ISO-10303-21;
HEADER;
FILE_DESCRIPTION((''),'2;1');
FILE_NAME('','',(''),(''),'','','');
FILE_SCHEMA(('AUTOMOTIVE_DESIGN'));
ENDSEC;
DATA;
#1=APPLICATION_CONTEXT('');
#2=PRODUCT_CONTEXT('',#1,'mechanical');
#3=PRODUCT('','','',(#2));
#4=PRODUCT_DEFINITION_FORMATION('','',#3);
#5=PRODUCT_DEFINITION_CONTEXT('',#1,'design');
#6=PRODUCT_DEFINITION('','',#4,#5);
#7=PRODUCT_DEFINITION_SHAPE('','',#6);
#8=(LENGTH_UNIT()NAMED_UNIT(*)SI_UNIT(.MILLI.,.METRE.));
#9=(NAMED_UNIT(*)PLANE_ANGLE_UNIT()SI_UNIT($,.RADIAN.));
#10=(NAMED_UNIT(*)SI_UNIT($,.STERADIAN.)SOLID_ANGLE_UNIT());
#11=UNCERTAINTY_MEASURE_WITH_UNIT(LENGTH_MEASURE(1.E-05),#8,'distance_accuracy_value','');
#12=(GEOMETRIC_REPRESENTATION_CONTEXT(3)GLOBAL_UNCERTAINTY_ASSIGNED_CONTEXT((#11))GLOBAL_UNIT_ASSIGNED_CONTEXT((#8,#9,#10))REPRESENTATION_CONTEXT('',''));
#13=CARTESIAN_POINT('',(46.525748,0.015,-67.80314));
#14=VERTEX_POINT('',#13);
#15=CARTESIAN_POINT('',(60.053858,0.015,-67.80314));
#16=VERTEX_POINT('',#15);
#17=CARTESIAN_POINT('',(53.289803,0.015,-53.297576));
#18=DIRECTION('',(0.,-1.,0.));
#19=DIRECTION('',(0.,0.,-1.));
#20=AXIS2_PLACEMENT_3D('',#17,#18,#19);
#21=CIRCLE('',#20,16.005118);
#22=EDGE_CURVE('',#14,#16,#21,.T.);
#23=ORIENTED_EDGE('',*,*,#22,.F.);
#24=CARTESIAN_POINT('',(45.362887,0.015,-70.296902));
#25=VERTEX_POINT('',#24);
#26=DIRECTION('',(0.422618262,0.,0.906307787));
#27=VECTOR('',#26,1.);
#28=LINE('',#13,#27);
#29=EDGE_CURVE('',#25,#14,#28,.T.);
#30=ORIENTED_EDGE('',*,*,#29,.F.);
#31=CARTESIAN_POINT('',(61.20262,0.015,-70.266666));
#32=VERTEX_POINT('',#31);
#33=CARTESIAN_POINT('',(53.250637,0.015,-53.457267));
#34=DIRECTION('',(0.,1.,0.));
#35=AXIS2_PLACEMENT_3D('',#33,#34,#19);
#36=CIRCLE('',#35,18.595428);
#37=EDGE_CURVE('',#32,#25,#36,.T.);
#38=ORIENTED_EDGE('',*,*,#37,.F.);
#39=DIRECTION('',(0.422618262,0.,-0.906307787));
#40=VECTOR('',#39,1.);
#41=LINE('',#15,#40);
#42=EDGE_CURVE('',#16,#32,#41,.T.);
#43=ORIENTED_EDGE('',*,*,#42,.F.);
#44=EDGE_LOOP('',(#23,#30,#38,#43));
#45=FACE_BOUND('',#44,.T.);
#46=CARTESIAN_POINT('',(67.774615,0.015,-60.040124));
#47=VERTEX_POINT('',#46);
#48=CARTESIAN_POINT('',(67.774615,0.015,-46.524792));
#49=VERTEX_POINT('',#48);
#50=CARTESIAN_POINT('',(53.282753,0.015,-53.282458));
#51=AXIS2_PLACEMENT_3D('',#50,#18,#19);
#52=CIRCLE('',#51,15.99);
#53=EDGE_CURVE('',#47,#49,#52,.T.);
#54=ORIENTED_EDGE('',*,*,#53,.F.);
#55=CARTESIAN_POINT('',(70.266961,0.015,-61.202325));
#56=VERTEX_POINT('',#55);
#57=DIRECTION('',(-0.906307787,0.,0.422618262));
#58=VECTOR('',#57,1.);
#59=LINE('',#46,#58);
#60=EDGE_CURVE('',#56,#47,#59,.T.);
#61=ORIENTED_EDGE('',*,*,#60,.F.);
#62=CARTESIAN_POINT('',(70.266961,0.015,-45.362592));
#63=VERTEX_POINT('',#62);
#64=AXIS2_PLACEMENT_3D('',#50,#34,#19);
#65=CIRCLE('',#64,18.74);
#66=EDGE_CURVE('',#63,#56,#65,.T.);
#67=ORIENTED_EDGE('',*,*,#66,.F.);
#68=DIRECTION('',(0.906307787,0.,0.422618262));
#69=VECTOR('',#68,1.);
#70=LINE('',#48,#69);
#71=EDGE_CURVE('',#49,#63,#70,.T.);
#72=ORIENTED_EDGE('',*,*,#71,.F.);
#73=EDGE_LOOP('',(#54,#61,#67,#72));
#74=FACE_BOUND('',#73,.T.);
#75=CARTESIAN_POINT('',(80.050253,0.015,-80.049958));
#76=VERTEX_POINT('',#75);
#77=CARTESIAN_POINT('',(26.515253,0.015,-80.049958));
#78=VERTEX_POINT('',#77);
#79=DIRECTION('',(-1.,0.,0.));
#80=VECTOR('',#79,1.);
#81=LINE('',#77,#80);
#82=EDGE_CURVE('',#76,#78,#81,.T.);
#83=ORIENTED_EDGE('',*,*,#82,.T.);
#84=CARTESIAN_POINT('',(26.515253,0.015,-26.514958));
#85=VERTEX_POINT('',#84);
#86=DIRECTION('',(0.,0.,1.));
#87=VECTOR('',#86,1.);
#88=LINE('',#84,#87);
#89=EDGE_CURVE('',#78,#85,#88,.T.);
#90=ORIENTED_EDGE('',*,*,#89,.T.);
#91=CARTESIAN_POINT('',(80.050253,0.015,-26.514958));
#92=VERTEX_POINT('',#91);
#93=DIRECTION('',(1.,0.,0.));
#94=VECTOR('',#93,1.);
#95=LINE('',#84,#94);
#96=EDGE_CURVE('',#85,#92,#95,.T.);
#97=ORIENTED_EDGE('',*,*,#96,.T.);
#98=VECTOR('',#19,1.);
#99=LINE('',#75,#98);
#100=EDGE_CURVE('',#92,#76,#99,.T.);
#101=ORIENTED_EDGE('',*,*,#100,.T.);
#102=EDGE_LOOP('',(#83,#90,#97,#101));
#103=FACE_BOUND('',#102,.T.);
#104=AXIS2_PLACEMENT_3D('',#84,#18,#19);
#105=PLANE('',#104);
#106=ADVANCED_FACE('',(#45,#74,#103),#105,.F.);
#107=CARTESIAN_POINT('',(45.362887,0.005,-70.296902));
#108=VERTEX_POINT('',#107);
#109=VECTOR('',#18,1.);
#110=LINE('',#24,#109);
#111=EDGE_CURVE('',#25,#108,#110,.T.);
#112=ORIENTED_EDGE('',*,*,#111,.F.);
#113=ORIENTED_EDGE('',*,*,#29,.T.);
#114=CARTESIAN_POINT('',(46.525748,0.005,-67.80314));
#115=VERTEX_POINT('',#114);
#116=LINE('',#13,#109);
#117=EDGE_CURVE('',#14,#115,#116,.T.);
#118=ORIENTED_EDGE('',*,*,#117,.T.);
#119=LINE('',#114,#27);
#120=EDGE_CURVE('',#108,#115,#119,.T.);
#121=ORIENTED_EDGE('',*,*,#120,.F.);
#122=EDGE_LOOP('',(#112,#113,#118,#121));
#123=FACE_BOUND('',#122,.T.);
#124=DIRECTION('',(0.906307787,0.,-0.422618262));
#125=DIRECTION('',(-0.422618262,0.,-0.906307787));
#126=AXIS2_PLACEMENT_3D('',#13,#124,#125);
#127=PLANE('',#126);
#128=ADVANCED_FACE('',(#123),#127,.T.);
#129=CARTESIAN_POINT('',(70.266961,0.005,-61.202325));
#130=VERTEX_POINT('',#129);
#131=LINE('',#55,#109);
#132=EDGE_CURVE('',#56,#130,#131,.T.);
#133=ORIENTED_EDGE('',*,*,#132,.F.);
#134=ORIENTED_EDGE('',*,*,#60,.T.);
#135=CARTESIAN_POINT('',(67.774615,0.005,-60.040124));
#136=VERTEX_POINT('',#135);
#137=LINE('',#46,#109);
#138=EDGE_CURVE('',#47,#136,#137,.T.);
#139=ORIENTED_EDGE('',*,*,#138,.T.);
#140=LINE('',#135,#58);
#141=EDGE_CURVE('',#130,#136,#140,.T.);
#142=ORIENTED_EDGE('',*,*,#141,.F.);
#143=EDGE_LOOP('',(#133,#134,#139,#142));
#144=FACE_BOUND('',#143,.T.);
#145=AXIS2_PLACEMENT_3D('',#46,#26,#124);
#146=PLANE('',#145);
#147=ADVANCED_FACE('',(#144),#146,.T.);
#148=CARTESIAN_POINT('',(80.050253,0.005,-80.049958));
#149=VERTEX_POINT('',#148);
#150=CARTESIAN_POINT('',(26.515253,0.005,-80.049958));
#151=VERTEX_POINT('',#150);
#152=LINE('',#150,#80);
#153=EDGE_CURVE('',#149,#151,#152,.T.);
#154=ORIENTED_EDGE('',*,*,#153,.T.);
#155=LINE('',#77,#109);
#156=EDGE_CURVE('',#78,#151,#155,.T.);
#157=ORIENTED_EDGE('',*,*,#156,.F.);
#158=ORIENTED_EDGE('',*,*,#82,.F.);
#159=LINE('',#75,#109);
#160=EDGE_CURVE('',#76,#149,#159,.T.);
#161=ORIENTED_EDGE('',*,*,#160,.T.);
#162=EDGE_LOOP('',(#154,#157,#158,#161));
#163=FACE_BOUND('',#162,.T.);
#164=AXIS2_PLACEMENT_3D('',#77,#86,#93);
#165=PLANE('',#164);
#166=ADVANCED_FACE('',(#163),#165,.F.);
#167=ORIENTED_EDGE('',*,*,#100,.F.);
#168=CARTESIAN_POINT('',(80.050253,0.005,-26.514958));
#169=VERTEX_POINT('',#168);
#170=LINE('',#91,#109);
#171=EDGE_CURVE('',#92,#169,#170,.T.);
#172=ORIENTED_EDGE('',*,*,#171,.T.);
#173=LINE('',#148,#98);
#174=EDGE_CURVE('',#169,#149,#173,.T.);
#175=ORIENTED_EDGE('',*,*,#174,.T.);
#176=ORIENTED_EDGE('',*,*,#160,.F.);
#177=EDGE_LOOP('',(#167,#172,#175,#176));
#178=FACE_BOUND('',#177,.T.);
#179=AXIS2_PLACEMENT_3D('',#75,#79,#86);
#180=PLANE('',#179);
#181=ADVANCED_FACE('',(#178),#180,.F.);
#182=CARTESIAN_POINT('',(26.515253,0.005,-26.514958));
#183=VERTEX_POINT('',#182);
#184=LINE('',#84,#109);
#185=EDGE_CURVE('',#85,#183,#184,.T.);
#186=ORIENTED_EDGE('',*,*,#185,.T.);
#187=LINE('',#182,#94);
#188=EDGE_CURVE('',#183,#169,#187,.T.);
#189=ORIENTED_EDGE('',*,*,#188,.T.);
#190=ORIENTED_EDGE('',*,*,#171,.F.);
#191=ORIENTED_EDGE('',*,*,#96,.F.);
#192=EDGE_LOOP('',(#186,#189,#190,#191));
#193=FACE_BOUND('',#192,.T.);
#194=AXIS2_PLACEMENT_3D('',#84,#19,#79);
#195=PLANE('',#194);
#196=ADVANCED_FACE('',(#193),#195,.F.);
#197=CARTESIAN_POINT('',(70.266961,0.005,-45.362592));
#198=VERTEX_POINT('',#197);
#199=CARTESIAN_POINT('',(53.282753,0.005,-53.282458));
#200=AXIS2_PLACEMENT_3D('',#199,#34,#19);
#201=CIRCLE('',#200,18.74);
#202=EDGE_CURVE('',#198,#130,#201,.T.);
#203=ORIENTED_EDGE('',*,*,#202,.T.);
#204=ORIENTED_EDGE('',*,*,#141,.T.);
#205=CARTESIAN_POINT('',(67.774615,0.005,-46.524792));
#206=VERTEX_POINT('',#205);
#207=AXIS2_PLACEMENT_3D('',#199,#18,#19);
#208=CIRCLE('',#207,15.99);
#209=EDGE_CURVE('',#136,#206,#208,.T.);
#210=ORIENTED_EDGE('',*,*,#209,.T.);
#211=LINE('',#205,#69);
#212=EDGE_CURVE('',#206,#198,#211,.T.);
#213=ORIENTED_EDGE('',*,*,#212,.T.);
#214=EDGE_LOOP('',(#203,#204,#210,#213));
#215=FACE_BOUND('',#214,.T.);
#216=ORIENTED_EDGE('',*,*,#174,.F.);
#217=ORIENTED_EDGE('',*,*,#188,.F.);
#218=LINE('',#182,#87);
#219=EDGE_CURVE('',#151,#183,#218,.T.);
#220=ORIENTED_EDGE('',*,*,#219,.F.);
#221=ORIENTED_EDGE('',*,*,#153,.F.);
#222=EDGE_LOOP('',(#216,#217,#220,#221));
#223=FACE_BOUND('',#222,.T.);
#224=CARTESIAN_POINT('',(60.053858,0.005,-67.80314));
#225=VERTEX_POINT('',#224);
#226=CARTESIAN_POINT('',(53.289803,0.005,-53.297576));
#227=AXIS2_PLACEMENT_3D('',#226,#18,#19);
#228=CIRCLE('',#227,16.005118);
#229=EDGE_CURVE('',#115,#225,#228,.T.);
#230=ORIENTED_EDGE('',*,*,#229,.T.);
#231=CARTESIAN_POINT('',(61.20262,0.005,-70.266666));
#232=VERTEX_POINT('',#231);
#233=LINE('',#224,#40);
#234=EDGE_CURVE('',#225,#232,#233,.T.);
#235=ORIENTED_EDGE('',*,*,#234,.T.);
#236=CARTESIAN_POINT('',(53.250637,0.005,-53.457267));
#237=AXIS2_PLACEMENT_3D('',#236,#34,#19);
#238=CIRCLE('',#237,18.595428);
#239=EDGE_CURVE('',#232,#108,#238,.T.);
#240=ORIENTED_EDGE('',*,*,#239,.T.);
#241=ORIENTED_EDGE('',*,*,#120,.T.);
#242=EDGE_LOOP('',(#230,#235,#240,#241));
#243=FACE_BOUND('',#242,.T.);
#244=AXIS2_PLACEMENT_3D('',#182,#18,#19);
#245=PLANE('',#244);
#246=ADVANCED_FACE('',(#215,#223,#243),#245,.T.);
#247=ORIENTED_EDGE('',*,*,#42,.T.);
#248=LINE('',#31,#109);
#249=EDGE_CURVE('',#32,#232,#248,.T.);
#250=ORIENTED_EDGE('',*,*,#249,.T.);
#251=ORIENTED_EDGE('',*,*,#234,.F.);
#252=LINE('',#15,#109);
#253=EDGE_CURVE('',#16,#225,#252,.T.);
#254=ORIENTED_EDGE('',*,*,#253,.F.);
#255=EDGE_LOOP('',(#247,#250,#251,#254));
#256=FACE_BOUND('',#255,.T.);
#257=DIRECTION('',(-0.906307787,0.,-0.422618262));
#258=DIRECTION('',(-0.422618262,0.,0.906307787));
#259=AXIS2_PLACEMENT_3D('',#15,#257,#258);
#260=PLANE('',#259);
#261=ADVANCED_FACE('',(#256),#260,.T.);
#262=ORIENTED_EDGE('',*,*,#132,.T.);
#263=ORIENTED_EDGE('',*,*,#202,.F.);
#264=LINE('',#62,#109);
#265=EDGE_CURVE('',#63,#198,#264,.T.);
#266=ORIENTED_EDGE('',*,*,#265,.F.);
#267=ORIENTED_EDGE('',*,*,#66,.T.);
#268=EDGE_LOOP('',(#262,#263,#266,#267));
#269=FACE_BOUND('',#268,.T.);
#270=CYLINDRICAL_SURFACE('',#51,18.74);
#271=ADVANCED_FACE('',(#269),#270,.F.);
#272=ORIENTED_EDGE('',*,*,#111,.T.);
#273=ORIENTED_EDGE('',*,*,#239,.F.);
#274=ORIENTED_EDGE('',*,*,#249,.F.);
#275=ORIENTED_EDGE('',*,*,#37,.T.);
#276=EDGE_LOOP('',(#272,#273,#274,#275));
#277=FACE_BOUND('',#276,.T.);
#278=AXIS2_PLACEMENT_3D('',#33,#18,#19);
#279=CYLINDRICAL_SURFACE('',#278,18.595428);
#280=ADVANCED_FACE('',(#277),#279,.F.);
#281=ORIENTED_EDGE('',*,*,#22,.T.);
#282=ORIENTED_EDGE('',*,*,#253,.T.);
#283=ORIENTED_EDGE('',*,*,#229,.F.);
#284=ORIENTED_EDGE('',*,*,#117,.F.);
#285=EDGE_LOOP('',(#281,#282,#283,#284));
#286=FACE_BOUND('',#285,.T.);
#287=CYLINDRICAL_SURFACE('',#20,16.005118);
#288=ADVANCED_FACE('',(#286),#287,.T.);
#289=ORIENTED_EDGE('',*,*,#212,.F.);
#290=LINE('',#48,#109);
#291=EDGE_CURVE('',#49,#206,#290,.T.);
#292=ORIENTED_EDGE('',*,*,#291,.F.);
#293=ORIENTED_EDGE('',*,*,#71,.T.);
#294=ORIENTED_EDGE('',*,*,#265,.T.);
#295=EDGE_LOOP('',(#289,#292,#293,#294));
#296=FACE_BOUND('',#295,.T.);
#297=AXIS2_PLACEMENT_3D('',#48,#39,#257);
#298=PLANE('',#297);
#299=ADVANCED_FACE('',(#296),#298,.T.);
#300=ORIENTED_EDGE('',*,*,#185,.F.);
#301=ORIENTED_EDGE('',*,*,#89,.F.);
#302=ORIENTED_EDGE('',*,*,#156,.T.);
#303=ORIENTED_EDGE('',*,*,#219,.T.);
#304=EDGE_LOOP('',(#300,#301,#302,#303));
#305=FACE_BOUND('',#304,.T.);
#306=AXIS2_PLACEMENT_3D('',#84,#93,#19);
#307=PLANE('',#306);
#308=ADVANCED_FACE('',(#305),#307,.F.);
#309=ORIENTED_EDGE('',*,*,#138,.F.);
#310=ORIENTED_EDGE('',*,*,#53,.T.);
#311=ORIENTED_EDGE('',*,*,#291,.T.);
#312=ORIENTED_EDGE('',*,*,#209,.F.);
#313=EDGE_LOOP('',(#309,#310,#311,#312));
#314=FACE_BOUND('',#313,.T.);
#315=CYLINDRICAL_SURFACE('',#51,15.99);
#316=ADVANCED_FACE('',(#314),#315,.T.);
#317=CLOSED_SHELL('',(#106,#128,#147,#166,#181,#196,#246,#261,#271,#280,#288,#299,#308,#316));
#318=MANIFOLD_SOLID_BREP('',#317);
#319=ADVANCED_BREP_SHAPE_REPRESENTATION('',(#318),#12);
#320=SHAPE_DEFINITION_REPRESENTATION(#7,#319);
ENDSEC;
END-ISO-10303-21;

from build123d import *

# Parameters (mm, degrees)
SKETCH1_W           = 107.07
SKETCH1_H           = 107.07
BOSS_EXTRUDE1_DEPTH = 0.02
SCALE1_SCALE        = 0.5


with BuildPart() as part:
    # Sketch1 → Boss-Extrude1 (new body)
    with BuildSketch(Plane(origin=(0, 0, 0), x_dir=(1, 0, 0), z_dir=(0, 1, 0))):
        with Locations((53.535, 53.535)):
            Rectangle(SKETCH1_W, SKETCH1_H)
        with BuildLine():
            Line((40.02098899, 82.576362505), (37.69526755, 87.563888229))
            ThreePointArc((37.69526755, 87.563888229), (53.541760789, 91.075404612), (69.37473245, 87.503415858))
            Line((69.37473245, 87.503415858), (67.077209739, 82.576362505))
            ThreePointArc((67.077209739, 82.576362505), (53.549099365, 85.57547237), (40.02098899, 82.576362505))
        make_face(mode=Mode.SUBTRACT)
        with BuildLine():
            Line((82.518723029, 67.05033201), (87.503415858, 69.37473245))
            ThreePointArc((87.503415858, 69.37473245), (91.015, 53.535), (87.503415858, 37.69526755))
            Line((87.503415858, 37.69526755), (82.518723029, 40.01966799))
            ThreePointArc((82.518723029, 40.01966799), (85.515, 53.535), (82.518723029, 67.05033201))
        make_face(mode=Mode.SUBTRACT)
    extrude(amount=BOSS_EXTRUDE1_DEPTH)


with BuildPart() as part_1:
    # Scale1: scaled about (53.030506877, 0.01, -53.029916686)
    add(part.part.scale(SCALE1_SCALE).moved(Location((26.515253439, 0.005, -26.514958343))))


solid = part_1.part
